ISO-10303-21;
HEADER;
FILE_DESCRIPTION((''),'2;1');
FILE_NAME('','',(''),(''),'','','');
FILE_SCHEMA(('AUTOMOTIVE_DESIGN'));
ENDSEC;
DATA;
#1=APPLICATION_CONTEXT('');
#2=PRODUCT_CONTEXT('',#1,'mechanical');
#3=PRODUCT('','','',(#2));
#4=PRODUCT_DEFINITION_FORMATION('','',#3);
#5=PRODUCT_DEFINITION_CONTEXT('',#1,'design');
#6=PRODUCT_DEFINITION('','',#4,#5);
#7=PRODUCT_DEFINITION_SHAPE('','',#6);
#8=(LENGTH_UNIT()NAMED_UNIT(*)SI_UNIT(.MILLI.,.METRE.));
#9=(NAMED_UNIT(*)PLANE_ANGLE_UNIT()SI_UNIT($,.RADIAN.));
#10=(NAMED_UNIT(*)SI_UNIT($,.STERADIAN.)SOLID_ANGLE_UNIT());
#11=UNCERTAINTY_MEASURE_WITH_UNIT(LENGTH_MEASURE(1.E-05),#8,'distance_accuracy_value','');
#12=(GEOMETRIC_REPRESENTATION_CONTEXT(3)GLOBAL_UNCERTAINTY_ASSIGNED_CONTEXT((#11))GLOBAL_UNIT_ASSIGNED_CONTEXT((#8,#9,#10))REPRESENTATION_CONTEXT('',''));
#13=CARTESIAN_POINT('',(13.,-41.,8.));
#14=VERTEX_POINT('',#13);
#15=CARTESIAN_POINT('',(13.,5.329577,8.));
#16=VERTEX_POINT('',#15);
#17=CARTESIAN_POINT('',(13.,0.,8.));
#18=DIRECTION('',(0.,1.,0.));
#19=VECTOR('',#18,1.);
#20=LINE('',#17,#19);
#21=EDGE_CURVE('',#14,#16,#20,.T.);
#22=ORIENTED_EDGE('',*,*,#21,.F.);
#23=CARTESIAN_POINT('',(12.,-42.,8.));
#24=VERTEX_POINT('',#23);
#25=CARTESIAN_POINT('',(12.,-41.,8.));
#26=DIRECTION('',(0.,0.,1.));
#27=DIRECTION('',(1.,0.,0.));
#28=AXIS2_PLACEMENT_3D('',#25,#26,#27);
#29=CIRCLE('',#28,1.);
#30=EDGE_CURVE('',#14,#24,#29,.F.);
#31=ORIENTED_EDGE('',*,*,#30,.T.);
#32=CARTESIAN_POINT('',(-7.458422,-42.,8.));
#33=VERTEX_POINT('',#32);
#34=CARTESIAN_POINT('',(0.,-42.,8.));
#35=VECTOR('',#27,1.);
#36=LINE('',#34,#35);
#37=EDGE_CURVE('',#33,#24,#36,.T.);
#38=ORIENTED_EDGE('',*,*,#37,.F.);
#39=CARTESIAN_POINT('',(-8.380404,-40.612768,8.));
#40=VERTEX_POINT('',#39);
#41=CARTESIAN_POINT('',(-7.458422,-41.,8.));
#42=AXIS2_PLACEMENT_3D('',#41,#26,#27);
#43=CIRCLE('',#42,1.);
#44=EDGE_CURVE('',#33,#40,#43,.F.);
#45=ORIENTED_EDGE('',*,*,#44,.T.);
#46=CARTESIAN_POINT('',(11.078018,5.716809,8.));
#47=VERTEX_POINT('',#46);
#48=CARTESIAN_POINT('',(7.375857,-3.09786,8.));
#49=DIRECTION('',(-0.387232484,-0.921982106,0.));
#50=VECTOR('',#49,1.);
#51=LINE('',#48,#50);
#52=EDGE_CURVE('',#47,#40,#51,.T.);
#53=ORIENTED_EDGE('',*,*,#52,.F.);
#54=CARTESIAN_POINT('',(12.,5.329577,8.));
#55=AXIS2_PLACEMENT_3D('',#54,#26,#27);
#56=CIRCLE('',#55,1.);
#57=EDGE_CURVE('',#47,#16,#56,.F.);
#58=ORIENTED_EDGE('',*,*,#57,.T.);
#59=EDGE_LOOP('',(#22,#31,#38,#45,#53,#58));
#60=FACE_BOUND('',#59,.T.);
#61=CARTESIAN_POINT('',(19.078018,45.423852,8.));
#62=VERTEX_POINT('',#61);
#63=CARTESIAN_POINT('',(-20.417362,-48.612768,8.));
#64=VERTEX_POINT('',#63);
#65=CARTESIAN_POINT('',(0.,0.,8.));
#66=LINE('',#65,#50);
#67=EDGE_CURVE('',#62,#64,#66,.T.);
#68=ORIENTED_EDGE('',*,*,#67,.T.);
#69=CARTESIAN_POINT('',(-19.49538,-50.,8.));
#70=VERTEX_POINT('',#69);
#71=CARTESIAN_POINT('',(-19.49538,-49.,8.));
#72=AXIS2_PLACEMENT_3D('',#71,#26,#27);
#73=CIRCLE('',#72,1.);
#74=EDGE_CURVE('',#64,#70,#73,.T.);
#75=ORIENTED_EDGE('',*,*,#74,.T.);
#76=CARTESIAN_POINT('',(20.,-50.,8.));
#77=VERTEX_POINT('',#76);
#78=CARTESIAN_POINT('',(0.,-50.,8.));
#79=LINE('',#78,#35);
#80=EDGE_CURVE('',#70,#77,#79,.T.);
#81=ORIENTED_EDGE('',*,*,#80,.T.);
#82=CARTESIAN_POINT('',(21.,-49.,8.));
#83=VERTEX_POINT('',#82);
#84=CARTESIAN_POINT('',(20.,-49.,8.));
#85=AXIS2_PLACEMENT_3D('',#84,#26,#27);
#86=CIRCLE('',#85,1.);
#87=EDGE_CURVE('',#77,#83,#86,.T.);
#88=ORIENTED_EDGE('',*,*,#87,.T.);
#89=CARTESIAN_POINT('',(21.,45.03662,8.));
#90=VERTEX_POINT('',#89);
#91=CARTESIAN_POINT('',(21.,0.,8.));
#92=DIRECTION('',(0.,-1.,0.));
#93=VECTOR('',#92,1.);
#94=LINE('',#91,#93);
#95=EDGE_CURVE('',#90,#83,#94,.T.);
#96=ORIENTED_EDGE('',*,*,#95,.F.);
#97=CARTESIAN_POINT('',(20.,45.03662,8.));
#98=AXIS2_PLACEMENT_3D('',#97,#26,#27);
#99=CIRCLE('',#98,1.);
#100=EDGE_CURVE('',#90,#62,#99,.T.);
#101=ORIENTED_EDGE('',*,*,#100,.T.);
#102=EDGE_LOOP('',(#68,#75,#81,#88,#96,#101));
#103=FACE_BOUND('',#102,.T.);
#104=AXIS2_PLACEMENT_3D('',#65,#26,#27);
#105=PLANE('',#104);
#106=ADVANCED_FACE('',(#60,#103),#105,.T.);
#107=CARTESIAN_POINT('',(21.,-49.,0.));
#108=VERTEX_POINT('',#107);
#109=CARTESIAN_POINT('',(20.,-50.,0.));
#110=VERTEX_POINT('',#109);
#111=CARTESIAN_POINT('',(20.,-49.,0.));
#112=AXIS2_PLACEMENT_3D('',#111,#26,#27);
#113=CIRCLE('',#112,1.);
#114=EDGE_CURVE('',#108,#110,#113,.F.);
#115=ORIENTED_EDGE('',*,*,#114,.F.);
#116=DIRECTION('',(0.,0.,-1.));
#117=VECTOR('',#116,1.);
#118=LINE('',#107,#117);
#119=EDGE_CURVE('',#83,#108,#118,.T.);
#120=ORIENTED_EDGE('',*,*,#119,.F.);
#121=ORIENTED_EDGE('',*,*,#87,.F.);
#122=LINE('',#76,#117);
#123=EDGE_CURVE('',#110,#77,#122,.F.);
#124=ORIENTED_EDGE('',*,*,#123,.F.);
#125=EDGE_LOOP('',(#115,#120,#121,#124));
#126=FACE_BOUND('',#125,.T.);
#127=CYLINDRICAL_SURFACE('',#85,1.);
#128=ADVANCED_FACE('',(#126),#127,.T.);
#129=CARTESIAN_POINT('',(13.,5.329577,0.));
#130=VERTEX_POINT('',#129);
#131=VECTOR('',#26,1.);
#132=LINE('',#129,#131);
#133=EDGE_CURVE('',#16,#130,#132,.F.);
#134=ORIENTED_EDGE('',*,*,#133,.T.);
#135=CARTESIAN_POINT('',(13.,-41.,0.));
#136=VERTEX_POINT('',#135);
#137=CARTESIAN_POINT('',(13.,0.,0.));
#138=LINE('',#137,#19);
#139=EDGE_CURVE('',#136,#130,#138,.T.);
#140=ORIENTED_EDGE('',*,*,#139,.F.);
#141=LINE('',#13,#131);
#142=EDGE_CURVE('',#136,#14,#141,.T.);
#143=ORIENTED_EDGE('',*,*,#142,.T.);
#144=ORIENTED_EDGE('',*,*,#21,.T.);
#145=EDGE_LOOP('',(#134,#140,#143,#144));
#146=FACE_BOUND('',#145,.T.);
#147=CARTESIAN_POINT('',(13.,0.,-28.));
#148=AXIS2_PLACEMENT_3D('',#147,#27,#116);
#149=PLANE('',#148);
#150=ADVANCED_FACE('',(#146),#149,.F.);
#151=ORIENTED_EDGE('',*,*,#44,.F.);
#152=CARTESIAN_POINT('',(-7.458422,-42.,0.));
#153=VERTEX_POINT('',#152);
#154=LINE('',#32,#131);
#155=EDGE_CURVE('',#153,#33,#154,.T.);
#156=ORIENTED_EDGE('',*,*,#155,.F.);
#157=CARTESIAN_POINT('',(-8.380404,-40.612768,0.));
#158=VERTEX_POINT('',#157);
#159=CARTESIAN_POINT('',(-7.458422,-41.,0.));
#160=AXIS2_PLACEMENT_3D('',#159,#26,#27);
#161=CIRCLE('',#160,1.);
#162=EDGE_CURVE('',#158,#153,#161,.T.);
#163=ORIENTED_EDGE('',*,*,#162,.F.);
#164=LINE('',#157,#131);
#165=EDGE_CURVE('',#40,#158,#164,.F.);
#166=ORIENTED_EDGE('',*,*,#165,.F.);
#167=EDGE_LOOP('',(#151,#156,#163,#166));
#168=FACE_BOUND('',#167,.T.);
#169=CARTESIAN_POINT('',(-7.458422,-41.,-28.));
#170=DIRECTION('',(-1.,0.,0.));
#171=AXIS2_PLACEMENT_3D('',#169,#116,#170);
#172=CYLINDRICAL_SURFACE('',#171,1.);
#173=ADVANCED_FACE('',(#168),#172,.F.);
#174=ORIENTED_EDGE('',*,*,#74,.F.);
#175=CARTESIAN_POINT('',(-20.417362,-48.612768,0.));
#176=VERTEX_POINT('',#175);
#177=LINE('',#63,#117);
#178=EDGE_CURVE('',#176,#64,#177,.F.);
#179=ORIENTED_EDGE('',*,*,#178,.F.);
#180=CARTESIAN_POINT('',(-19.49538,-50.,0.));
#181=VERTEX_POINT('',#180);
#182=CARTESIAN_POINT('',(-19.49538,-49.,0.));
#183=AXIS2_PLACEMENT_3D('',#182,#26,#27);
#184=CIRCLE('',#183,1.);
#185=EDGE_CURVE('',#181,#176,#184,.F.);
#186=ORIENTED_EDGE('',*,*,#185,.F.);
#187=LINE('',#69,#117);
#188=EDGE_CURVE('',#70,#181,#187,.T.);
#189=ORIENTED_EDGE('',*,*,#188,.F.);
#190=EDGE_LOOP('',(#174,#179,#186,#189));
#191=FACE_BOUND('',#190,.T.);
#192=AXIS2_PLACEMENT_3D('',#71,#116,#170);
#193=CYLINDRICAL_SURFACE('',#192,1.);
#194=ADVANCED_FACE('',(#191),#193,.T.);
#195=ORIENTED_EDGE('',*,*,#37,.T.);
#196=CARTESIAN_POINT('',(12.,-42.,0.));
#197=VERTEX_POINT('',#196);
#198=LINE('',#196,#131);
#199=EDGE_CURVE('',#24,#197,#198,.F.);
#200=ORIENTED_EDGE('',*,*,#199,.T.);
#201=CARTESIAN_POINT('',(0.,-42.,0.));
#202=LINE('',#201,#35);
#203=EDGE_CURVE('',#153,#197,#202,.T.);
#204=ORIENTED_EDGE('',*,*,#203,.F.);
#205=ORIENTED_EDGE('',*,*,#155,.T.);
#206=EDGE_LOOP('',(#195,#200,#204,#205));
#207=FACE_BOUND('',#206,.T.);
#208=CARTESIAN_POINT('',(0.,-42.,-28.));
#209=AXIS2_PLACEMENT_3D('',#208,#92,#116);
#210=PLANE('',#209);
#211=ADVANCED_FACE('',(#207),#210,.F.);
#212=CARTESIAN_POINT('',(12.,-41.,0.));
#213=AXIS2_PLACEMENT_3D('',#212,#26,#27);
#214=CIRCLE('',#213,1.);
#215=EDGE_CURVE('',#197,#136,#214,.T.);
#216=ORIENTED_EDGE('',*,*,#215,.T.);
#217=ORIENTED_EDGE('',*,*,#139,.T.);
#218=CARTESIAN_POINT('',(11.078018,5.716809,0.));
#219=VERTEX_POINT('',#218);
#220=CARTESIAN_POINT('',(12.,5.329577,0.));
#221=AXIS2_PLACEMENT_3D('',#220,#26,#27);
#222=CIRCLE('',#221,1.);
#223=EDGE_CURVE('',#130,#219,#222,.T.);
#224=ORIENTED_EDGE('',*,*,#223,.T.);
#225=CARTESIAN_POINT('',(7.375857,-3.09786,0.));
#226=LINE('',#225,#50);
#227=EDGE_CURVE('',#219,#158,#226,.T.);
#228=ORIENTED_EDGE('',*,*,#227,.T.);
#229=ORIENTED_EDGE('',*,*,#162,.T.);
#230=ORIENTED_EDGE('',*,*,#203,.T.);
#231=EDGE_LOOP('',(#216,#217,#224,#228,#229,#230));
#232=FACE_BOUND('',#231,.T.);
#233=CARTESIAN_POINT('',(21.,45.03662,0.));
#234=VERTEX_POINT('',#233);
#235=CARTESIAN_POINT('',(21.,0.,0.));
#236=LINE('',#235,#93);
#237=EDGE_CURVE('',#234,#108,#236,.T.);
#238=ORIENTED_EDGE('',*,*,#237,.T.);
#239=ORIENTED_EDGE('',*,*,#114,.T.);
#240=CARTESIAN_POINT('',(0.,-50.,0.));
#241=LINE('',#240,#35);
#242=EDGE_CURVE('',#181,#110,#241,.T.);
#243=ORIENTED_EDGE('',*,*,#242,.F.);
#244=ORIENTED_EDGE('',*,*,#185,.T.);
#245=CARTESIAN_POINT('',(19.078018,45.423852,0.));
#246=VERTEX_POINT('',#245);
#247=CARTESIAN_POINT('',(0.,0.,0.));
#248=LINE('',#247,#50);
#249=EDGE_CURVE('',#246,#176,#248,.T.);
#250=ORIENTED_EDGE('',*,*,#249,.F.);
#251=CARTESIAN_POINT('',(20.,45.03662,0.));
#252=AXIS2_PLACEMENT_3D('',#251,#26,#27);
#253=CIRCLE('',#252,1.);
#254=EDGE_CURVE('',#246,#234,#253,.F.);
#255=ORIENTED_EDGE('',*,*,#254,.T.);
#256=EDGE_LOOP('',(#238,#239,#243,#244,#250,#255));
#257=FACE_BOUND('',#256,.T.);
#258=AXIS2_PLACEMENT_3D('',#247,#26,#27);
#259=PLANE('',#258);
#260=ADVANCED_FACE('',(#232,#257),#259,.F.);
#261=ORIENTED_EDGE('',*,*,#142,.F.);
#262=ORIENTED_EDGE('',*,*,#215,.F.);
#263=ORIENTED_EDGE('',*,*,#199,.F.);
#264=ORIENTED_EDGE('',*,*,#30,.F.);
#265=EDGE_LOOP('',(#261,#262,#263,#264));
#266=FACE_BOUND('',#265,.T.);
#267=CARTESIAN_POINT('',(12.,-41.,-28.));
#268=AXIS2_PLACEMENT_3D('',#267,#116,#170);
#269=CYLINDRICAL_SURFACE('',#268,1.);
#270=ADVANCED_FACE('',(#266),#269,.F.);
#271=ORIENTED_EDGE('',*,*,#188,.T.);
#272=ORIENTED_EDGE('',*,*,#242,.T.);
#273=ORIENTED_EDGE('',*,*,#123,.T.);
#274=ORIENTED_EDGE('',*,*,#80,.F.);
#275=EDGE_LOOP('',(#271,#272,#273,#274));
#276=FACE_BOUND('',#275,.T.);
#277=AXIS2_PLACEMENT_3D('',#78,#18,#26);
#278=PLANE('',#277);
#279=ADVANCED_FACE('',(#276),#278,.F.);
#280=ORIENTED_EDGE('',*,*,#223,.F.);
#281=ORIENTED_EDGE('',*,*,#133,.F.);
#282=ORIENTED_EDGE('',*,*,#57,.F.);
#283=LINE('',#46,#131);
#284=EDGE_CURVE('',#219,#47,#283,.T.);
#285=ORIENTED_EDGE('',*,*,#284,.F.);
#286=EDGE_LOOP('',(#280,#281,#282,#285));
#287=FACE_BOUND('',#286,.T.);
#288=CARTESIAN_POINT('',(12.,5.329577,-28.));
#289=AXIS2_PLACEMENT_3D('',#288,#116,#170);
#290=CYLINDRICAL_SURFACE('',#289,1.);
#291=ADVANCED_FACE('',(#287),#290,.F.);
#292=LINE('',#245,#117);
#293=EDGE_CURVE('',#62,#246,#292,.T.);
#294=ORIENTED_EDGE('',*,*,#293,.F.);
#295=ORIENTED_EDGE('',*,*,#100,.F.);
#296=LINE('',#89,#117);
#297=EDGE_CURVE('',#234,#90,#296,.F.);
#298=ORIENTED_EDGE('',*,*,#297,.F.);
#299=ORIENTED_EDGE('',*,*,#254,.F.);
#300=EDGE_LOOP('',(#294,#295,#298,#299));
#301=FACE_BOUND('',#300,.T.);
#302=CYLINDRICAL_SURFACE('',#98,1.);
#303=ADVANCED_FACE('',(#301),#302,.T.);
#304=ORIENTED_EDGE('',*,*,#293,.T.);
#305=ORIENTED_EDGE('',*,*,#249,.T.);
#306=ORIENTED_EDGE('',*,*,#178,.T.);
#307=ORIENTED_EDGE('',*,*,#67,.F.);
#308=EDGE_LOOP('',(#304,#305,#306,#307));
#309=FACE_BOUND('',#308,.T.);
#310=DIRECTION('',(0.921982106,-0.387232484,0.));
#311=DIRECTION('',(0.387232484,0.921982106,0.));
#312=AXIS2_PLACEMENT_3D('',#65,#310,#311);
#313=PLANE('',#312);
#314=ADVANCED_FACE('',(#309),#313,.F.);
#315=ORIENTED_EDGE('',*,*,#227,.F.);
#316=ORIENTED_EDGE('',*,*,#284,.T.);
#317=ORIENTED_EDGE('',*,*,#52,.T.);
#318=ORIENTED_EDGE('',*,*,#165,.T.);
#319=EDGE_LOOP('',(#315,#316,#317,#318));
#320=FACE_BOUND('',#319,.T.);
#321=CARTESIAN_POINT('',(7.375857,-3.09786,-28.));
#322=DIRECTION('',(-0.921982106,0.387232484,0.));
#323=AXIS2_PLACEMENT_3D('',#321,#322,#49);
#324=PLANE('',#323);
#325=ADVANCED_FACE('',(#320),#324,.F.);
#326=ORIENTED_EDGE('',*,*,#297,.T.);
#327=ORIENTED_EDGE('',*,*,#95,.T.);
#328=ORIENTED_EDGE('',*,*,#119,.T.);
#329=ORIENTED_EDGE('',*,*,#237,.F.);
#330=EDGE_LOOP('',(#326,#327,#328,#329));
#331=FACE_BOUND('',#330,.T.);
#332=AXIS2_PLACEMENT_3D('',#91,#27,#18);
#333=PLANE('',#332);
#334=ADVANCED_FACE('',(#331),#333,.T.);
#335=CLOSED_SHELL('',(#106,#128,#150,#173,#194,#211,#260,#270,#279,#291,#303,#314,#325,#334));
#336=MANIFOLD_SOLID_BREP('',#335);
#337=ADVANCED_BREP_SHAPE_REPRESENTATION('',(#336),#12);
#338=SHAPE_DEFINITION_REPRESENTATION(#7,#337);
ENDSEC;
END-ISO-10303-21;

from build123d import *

# Parameters (mm, degrees)
EXTRUDE_1_DEPTH     = 8
FILLET_1_R          = 1
CUT_EXTRUDE_1_DEPTH = 36
FILLET_2_R          = 1


with BuildPart() as part:
    # 스케치1 → 보스-돌출1 (new body)
    with BuildSketch(Plane.XY):
        Polygon((21, 50), (21, -50), (-21, -50), align=None)
    extrude(amount=EXTRUDE_1_DEPTH)

    # 필렛1
    fillet_1_edges = [part.edges().sort_by_distance(p)[0] for p in [
        (21, -50, 4),
        (-21, -50, 4),
        (21, 50, 4),
    ]]
    fillet(fillet_1_edges, radius=FILLET_1_R)

    # 스케치2 → 컷-돌출1 (cut)
    with BuildSketch(Plane.XY.offset(8)):
        Polygon((13, -42), (13, 10.292957161), (-8.963042008, -42), align=None)
    extrude(amount=-CUT_EXTRUDE_1_DEPTH, mode=Mode.SUBTRACT)

    # 필렛2
    fillet_2_edges = [part.edges().sort_by_distance(p)[0] for p in [
        (13, 10.292957161, 4),
        (13, -42, 4),
        (-8.963042008, -42, 4),
    ]]
    fillet(fillet_2_edges, radius=FILLET_2_R)


solid = part.part
